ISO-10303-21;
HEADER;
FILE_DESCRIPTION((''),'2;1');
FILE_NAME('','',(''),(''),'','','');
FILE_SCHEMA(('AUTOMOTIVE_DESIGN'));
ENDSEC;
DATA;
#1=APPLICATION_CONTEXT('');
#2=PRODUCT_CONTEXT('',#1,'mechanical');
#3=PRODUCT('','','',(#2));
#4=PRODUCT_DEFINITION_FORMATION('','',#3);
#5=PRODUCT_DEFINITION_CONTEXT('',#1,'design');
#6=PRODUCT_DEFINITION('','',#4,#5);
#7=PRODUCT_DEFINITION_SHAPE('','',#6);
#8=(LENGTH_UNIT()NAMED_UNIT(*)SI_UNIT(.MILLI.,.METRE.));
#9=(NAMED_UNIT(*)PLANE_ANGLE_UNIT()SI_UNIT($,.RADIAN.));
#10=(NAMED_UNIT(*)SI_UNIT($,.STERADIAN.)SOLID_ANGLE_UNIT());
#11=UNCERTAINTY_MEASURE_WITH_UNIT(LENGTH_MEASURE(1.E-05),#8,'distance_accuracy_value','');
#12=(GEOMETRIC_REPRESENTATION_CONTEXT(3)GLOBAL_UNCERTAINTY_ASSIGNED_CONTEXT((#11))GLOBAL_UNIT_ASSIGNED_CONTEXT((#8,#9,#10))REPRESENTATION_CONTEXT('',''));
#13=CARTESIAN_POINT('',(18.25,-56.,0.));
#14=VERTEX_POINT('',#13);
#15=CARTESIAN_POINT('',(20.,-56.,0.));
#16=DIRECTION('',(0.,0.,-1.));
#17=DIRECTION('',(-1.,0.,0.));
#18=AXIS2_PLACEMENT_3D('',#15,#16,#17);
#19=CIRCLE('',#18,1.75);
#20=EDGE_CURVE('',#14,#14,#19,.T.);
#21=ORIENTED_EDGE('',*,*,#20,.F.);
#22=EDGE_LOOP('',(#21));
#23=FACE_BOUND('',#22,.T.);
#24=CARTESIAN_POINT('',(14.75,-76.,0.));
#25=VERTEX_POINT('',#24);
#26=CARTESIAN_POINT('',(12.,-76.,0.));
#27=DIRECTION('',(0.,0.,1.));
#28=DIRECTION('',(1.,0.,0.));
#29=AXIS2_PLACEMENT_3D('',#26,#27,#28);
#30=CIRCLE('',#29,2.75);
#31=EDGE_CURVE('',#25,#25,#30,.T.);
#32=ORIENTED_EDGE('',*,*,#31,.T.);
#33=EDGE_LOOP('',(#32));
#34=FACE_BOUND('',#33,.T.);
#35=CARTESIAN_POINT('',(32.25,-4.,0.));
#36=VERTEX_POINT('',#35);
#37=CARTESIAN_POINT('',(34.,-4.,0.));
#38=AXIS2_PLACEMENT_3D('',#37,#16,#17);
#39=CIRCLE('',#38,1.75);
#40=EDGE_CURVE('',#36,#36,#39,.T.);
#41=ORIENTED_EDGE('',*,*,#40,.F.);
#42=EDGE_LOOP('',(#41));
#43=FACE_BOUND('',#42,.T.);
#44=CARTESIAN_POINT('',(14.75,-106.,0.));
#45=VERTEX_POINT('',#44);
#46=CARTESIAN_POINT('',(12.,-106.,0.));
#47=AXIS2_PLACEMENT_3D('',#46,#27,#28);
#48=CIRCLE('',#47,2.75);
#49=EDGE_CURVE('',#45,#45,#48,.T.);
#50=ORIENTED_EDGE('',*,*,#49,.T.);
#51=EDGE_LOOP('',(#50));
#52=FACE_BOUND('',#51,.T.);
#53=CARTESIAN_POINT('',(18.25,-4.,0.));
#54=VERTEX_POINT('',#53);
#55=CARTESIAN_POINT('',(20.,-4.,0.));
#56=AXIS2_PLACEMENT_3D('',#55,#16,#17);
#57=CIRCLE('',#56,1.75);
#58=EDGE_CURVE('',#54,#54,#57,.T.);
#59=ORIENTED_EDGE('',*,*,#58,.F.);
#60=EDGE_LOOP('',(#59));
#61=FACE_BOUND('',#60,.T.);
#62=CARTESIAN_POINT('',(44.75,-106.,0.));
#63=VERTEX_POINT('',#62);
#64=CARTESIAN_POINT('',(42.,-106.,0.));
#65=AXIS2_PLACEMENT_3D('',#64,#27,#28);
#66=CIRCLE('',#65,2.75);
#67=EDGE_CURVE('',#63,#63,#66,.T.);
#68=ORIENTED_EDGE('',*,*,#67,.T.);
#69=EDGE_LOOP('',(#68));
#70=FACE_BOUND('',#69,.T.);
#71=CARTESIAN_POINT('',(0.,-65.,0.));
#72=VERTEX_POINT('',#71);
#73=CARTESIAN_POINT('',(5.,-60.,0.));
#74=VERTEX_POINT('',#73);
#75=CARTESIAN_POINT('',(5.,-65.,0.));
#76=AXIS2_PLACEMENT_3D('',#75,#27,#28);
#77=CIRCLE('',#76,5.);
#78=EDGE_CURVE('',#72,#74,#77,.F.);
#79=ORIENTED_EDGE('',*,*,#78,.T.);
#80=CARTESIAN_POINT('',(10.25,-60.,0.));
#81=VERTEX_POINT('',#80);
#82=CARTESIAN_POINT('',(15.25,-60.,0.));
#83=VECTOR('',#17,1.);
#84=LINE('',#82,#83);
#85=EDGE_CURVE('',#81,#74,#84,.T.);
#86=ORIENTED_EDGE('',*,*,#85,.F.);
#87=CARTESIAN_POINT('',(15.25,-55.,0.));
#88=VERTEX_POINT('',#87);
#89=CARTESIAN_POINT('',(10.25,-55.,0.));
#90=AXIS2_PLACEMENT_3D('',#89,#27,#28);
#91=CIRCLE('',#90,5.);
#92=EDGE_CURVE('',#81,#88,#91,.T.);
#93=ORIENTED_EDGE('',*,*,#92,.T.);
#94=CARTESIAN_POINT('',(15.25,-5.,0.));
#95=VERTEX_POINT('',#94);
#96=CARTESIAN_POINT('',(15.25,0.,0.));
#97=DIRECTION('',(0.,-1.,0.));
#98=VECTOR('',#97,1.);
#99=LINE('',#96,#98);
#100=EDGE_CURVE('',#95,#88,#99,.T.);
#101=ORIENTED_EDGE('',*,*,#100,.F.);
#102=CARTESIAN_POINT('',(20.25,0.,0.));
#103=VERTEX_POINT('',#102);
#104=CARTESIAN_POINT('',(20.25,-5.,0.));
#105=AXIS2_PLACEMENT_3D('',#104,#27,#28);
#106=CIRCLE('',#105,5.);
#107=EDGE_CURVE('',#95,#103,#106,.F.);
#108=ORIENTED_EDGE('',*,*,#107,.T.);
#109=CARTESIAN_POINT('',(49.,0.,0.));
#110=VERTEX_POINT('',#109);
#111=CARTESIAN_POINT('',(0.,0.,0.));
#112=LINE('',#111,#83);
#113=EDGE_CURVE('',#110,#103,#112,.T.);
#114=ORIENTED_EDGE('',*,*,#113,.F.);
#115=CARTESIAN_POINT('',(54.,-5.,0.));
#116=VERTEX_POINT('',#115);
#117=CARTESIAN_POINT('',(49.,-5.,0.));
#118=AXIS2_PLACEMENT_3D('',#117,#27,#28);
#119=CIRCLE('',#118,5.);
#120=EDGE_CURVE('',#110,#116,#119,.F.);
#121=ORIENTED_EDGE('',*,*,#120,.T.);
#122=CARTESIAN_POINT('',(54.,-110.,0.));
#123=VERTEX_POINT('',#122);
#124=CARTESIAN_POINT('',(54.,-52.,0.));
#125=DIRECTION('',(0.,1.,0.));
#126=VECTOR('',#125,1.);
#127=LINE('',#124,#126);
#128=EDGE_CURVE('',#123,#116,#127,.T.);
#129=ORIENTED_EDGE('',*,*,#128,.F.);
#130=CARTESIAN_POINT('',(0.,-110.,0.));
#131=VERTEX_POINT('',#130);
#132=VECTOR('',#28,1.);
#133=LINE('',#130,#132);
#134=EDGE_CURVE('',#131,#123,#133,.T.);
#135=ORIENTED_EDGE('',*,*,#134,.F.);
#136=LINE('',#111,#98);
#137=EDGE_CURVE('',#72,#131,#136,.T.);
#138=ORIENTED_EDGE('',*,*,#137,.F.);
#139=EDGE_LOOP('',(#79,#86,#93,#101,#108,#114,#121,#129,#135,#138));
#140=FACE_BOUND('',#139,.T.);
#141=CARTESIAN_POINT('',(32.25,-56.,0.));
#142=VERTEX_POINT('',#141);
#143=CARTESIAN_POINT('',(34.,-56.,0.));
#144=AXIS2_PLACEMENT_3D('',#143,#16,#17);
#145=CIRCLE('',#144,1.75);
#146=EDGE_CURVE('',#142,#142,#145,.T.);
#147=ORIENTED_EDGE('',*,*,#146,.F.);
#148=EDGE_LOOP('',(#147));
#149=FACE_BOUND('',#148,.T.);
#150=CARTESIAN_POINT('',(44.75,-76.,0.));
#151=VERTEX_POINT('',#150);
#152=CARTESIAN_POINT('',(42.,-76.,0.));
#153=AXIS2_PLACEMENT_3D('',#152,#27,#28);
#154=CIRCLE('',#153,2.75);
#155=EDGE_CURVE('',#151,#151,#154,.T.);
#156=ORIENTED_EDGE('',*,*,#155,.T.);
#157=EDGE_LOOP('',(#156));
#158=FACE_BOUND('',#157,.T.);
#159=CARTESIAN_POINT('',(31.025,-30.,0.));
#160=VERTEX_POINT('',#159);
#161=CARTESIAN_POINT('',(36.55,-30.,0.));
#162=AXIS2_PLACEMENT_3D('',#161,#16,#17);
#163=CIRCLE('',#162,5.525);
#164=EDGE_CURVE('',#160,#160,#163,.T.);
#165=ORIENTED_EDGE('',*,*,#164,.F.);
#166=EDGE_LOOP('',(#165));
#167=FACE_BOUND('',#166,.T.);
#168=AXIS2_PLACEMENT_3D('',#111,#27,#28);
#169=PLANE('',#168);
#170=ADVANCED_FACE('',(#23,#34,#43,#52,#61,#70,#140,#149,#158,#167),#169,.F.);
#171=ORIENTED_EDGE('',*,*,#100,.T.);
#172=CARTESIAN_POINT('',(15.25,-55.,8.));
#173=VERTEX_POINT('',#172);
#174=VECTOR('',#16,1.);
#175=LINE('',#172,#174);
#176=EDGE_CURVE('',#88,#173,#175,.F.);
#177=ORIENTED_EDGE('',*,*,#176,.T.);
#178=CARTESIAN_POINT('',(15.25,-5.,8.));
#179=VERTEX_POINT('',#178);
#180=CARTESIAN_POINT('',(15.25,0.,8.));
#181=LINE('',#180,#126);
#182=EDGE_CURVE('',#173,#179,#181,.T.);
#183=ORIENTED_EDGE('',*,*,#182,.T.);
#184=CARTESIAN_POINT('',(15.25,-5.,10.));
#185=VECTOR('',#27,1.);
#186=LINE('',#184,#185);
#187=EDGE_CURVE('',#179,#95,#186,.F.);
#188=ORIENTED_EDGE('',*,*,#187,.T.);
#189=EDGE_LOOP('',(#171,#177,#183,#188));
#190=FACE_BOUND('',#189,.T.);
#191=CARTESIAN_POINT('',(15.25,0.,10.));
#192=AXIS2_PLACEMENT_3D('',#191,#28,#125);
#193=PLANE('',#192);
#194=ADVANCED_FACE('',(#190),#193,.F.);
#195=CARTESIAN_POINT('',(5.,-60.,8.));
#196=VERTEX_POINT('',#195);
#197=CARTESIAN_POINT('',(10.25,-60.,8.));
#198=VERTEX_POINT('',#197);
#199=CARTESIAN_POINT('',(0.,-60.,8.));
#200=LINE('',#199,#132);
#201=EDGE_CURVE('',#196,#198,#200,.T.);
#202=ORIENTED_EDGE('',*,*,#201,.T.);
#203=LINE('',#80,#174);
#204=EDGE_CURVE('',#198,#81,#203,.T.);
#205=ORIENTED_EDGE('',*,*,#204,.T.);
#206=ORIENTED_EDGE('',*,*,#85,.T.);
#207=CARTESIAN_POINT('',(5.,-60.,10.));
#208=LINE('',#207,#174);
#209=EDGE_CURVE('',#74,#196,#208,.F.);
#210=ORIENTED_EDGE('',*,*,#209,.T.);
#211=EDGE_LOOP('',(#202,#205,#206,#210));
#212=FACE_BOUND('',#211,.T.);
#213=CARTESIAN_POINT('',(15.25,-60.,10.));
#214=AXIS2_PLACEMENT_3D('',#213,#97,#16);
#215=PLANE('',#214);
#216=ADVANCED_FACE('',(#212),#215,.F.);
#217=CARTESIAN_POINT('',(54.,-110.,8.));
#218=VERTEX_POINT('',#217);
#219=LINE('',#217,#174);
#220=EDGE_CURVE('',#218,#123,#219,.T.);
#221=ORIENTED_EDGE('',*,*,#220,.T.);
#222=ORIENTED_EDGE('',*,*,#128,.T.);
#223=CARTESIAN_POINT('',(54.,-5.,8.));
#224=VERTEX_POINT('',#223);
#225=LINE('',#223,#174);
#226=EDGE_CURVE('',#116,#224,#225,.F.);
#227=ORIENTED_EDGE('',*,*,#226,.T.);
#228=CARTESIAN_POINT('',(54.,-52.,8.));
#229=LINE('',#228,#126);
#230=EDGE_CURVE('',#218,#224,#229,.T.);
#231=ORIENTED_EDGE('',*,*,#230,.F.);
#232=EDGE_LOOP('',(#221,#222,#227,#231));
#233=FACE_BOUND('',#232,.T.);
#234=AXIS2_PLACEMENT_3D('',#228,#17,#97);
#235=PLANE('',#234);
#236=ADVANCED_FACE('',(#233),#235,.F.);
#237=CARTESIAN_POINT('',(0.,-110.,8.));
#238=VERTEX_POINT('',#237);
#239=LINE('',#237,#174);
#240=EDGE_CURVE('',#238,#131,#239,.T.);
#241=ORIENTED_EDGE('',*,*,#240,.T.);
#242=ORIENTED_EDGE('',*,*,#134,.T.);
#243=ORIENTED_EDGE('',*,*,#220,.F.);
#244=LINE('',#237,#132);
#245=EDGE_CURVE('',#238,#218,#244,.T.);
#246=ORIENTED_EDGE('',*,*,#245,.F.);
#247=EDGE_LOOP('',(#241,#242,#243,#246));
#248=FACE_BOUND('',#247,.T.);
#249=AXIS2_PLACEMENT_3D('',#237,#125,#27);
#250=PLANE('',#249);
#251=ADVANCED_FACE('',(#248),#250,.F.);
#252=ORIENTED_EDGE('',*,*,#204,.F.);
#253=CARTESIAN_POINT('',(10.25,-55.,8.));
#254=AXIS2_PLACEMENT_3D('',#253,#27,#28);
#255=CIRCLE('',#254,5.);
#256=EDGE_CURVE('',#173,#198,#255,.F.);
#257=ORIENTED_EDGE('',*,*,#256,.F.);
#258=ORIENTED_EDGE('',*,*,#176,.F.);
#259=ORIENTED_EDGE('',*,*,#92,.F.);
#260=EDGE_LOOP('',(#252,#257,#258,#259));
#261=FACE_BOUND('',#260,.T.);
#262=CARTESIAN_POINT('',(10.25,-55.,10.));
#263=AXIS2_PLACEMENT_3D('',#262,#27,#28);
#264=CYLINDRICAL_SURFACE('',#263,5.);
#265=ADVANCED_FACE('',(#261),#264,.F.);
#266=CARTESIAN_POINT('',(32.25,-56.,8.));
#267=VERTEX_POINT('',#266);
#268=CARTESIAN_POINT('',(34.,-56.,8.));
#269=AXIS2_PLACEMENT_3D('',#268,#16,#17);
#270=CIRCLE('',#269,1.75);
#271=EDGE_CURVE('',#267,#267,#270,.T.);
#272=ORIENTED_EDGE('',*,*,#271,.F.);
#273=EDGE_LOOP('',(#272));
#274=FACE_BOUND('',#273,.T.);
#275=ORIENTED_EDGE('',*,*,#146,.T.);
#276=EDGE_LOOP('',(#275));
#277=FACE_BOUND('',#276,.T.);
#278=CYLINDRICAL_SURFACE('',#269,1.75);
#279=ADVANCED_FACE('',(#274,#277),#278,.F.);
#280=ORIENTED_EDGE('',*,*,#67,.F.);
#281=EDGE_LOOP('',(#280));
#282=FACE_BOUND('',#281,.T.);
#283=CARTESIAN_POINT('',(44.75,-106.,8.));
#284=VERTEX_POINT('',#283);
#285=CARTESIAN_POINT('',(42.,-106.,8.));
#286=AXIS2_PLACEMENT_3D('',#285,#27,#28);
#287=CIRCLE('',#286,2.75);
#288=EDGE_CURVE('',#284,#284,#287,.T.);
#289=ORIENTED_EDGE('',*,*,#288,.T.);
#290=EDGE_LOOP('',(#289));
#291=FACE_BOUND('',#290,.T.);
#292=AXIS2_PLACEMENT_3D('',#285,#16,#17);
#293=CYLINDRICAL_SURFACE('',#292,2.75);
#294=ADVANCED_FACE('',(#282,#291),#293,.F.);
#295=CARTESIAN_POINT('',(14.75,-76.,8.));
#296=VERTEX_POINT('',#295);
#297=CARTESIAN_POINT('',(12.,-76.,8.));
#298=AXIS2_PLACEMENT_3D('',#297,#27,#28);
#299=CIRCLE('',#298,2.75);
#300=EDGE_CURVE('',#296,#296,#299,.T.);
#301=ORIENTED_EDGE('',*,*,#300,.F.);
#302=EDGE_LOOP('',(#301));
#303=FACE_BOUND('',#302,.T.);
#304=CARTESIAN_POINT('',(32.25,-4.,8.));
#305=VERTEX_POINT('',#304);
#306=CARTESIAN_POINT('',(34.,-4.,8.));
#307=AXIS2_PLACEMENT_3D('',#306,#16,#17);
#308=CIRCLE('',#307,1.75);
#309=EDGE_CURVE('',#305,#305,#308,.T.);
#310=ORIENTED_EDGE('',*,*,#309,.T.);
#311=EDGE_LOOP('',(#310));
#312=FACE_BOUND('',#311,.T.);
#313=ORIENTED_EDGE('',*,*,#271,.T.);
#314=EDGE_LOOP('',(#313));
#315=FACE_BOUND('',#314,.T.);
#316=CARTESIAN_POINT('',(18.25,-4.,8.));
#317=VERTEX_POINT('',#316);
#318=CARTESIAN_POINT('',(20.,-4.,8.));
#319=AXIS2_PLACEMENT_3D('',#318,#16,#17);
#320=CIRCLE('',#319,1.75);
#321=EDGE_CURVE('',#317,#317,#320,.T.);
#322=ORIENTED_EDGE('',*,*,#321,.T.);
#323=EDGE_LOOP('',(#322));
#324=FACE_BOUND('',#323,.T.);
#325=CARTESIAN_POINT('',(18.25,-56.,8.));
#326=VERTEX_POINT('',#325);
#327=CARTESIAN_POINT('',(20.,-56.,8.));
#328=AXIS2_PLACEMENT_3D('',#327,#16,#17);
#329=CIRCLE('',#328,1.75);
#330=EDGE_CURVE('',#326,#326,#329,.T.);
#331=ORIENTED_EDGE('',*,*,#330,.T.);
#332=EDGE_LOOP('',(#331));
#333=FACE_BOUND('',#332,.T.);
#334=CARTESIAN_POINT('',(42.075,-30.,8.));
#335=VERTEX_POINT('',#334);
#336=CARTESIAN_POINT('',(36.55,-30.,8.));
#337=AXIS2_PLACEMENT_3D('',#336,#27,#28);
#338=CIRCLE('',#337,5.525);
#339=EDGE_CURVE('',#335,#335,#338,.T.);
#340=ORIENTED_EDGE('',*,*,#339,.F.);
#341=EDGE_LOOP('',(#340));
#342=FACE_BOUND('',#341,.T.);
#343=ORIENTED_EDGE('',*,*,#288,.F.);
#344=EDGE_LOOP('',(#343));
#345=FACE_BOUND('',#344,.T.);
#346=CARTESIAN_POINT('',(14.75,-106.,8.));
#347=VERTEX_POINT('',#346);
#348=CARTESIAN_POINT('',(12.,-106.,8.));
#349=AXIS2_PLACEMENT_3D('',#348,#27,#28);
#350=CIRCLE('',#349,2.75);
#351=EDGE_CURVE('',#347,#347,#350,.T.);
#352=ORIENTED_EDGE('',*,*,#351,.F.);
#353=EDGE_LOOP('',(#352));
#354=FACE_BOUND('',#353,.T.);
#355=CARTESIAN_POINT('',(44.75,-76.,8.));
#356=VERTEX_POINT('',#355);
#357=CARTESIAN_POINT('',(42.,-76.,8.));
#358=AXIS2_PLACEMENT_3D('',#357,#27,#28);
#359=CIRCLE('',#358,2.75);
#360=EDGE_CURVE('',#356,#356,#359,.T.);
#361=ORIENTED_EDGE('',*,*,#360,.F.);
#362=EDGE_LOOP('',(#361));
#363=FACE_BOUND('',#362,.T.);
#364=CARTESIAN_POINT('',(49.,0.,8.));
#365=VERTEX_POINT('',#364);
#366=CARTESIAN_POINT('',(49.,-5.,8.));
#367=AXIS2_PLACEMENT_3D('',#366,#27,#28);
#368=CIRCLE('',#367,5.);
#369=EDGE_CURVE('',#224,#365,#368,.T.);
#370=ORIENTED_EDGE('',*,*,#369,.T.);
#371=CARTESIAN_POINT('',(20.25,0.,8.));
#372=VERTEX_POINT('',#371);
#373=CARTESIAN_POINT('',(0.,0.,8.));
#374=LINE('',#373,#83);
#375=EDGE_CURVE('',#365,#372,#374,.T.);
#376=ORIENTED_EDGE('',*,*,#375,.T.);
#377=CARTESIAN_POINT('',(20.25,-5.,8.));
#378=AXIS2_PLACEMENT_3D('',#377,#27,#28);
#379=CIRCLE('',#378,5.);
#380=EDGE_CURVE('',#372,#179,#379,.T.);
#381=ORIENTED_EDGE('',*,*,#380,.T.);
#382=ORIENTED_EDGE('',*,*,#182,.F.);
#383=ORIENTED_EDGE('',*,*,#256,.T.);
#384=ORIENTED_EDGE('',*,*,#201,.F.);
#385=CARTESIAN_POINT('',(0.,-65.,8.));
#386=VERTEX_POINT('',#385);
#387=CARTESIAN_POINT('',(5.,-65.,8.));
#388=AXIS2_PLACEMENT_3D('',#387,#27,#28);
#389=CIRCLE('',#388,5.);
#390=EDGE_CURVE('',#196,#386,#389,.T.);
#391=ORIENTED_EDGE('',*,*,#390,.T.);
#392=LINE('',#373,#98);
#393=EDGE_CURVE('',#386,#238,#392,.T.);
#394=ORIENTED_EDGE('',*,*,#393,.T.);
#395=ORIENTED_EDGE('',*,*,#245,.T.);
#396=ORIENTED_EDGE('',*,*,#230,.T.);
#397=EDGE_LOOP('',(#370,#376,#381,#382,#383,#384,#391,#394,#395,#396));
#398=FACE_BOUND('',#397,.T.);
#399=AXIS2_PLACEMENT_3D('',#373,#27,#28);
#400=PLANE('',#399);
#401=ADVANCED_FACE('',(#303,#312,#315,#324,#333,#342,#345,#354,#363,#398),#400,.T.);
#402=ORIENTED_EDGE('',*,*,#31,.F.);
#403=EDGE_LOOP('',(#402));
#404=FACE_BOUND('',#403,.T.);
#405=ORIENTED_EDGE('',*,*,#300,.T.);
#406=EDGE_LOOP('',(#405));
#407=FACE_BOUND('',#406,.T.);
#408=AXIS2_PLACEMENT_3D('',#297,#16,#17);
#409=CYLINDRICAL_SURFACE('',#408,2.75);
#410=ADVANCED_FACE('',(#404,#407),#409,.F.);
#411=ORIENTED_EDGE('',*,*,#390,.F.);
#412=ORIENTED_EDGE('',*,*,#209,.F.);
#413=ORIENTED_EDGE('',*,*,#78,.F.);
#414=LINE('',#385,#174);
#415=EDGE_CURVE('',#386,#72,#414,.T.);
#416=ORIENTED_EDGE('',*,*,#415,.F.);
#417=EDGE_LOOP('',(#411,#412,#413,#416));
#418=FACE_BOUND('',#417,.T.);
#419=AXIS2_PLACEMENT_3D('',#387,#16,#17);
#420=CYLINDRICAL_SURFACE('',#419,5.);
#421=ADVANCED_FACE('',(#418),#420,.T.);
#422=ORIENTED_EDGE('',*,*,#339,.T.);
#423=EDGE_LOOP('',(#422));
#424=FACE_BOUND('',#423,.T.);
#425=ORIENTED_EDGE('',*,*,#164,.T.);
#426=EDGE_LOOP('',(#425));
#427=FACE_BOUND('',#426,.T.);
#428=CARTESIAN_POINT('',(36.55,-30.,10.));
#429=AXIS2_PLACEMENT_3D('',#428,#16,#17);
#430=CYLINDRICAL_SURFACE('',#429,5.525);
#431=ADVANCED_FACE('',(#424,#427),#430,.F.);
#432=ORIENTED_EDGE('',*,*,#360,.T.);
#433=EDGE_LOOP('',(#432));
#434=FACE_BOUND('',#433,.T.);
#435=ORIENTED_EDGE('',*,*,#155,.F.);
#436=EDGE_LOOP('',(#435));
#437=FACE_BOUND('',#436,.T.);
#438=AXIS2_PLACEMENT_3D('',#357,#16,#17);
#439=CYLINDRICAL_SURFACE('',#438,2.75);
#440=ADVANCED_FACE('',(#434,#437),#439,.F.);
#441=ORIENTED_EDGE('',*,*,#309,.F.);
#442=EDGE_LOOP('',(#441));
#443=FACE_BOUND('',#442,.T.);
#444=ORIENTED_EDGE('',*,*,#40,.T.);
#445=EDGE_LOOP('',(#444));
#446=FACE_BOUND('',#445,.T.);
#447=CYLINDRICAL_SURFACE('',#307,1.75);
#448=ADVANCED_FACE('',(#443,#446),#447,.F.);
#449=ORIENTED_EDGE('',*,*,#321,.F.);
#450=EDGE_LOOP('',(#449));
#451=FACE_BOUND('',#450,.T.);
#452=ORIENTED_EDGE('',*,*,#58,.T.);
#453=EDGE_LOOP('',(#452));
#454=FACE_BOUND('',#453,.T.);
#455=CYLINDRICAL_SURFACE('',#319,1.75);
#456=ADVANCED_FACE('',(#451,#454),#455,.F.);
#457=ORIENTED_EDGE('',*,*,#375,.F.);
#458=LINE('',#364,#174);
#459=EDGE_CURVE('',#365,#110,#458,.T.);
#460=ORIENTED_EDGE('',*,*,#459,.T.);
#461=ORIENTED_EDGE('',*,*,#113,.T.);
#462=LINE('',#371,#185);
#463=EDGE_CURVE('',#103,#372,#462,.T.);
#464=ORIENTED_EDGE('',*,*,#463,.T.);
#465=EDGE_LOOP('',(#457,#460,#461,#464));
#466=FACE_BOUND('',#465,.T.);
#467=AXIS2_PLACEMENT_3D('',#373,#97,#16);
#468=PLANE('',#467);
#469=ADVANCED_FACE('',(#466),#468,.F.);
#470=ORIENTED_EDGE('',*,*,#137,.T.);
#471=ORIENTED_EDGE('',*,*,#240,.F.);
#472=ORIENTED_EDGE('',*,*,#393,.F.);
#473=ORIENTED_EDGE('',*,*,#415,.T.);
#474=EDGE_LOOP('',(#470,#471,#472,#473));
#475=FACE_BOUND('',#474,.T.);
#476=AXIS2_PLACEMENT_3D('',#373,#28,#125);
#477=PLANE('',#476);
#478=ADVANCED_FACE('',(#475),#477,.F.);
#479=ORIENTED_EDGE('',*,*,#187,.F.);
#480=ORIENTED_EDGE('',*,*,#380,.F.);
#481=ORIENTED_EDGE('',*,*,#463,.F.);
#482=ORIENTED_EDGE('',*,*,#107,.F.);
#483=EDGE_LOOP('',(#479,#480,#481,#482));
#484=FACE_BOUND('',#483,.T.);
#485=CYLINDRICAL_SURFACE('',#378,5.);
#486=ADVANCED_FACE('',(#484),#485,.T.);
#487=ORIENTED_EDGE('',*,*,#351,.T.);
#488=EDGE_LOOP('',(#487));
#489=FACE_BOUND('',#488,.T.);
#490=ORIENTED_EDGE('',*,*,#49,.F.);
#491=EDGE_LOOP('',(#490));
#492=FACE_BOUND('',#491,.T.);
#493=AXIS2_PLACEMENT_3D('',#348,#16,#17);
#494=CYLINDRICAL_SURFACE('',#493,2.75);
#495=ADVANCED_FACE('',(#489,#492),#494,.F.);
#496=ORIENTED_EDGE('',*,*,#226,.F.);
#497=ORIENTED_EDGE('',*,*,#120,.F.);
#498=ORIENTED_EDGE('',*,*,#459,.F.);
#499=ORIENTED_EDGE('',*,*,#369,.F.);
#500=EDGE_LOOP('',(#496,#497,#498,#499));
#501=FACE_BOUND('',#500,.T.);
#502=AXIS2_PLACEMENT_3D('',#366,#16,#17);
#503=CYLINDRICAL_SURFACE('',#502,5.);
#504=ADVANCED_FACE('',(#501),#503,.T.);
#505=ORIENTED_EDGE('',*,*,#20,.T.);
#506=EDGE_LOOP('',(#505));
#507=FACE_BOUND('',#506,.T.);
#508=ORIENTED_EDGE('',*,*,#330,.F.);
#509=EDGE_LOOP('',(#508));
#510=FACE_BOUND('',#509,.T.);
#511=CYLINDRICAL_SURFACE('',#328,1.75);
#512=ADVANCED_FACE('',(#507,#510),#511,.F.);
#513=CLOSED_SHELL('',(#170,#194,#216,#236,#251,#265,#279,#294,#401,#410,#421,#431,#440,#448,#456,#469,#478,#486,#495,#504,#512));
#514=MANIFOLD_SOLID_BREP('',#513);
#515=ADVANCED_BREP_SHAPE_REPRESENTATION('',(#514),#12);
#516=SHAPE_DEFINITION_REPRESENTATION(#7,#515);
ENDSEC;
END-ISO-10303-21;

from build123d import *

# Parameters (mm, degrees)
SKETCH_1_R          = 2.75
EXTRUDE_1_DEPTH     = 8
SKETCH_2_W          = 15.25
SKETCH_2_H          = 60
CUT_EXTRUDE_1_DEPTH = 10
FILLET_1_R          = 5
SKETCH_3_R          = 1.75
CUT_EXTRUDE_2_DEPTH = 123.800651464
SKETCH_4_R          = 5.525
CUT_EXTRUDE_3_DEPTH = 10


with BuildPart() as part:
    # 草图1 → 凸台-拉伸1 (new body)
    with BuildSketch(Plane.XY):
        Polygon((0, 0), (54, 0), (54, -52), (54, -110), (0, -110), align=None)
        with Locations((12, -106)):
            Circle(SKETCH_1_R, mode=Mode.SUBTRACT)
        with Locations((42, -106)):
            Circle(SKETCH_1_R, mode=Mode.SUBTRACT)
        with Locations((42, -76)):
            Circle(SKETCH_1_R, mode=Mode.SUBTRACT)
        with Locations((12, -76)):
            Circle(SKETCH_1_R, mode=Mode.SUBTRACT)
    extrude(amount=EXTRUDE_1_DEPTH)

    # 草图2 → 切除-拉伸1 (cut)
    with BuildSketch(Plane(origin=(0, 0, 0), x_dir=(-1, 0, 0), z_dir=(0, 0, -1))):
        with Locations((-7.625, -30)):
            Rectangle(SKETCH_2_W, SKETCH_2_H)
    extrude(amount=-CUT_EXTRUDE_1_DEPTH, mode=Mode.SUBTRACT)

    # 圆角1
    fillet_1_edges = [part.edges().sort_by_distance(p)[0] for p in [
        (15.25, 0, 4),
        (0, -60, 4),
        (15.25, -60, 4),
        (54, 0, 4),
    ]]
    fillet(fillet_1_edges, radius=FILLET_1_R)

    # 草图3 → 切除-拉伸2 (cut, through all)
    with BuildSketch(Plane(origin=(0, 0, 0), x_dir=(-1, 0, 0), z_dir=(0, 0, -1))):
        with Locations((-20, -4)):
            Circle(SKETCH_3_R)
        with Locations((-34, -4)):
            Circle(SKETCH_3_R)
        with Locations((-34, -56)):
            Circle(SKETCH_3_R)
        with Locations((-20, -56)):
            Circle(SKETCH_3_R)
    extrude(amount=-CUT_EXTRUDE_2_DEPTH, mode=Mode.SUBTRACT)

    # 草图4 → 切除-拉伸3 (cut)
    with BuildSketch(Plane(origin=(0, 0, 0), x_dir=(-1, 0, 0), z_dir=(0, 0, -1))):
        with Locations((-36.55, -30)):
            Circle(SKETCH_4_R)
    extrude(amount=-CUT_EXTRUDE_3_DEPTH, mode=Mode.SUBTRACT)


solid = part.part
